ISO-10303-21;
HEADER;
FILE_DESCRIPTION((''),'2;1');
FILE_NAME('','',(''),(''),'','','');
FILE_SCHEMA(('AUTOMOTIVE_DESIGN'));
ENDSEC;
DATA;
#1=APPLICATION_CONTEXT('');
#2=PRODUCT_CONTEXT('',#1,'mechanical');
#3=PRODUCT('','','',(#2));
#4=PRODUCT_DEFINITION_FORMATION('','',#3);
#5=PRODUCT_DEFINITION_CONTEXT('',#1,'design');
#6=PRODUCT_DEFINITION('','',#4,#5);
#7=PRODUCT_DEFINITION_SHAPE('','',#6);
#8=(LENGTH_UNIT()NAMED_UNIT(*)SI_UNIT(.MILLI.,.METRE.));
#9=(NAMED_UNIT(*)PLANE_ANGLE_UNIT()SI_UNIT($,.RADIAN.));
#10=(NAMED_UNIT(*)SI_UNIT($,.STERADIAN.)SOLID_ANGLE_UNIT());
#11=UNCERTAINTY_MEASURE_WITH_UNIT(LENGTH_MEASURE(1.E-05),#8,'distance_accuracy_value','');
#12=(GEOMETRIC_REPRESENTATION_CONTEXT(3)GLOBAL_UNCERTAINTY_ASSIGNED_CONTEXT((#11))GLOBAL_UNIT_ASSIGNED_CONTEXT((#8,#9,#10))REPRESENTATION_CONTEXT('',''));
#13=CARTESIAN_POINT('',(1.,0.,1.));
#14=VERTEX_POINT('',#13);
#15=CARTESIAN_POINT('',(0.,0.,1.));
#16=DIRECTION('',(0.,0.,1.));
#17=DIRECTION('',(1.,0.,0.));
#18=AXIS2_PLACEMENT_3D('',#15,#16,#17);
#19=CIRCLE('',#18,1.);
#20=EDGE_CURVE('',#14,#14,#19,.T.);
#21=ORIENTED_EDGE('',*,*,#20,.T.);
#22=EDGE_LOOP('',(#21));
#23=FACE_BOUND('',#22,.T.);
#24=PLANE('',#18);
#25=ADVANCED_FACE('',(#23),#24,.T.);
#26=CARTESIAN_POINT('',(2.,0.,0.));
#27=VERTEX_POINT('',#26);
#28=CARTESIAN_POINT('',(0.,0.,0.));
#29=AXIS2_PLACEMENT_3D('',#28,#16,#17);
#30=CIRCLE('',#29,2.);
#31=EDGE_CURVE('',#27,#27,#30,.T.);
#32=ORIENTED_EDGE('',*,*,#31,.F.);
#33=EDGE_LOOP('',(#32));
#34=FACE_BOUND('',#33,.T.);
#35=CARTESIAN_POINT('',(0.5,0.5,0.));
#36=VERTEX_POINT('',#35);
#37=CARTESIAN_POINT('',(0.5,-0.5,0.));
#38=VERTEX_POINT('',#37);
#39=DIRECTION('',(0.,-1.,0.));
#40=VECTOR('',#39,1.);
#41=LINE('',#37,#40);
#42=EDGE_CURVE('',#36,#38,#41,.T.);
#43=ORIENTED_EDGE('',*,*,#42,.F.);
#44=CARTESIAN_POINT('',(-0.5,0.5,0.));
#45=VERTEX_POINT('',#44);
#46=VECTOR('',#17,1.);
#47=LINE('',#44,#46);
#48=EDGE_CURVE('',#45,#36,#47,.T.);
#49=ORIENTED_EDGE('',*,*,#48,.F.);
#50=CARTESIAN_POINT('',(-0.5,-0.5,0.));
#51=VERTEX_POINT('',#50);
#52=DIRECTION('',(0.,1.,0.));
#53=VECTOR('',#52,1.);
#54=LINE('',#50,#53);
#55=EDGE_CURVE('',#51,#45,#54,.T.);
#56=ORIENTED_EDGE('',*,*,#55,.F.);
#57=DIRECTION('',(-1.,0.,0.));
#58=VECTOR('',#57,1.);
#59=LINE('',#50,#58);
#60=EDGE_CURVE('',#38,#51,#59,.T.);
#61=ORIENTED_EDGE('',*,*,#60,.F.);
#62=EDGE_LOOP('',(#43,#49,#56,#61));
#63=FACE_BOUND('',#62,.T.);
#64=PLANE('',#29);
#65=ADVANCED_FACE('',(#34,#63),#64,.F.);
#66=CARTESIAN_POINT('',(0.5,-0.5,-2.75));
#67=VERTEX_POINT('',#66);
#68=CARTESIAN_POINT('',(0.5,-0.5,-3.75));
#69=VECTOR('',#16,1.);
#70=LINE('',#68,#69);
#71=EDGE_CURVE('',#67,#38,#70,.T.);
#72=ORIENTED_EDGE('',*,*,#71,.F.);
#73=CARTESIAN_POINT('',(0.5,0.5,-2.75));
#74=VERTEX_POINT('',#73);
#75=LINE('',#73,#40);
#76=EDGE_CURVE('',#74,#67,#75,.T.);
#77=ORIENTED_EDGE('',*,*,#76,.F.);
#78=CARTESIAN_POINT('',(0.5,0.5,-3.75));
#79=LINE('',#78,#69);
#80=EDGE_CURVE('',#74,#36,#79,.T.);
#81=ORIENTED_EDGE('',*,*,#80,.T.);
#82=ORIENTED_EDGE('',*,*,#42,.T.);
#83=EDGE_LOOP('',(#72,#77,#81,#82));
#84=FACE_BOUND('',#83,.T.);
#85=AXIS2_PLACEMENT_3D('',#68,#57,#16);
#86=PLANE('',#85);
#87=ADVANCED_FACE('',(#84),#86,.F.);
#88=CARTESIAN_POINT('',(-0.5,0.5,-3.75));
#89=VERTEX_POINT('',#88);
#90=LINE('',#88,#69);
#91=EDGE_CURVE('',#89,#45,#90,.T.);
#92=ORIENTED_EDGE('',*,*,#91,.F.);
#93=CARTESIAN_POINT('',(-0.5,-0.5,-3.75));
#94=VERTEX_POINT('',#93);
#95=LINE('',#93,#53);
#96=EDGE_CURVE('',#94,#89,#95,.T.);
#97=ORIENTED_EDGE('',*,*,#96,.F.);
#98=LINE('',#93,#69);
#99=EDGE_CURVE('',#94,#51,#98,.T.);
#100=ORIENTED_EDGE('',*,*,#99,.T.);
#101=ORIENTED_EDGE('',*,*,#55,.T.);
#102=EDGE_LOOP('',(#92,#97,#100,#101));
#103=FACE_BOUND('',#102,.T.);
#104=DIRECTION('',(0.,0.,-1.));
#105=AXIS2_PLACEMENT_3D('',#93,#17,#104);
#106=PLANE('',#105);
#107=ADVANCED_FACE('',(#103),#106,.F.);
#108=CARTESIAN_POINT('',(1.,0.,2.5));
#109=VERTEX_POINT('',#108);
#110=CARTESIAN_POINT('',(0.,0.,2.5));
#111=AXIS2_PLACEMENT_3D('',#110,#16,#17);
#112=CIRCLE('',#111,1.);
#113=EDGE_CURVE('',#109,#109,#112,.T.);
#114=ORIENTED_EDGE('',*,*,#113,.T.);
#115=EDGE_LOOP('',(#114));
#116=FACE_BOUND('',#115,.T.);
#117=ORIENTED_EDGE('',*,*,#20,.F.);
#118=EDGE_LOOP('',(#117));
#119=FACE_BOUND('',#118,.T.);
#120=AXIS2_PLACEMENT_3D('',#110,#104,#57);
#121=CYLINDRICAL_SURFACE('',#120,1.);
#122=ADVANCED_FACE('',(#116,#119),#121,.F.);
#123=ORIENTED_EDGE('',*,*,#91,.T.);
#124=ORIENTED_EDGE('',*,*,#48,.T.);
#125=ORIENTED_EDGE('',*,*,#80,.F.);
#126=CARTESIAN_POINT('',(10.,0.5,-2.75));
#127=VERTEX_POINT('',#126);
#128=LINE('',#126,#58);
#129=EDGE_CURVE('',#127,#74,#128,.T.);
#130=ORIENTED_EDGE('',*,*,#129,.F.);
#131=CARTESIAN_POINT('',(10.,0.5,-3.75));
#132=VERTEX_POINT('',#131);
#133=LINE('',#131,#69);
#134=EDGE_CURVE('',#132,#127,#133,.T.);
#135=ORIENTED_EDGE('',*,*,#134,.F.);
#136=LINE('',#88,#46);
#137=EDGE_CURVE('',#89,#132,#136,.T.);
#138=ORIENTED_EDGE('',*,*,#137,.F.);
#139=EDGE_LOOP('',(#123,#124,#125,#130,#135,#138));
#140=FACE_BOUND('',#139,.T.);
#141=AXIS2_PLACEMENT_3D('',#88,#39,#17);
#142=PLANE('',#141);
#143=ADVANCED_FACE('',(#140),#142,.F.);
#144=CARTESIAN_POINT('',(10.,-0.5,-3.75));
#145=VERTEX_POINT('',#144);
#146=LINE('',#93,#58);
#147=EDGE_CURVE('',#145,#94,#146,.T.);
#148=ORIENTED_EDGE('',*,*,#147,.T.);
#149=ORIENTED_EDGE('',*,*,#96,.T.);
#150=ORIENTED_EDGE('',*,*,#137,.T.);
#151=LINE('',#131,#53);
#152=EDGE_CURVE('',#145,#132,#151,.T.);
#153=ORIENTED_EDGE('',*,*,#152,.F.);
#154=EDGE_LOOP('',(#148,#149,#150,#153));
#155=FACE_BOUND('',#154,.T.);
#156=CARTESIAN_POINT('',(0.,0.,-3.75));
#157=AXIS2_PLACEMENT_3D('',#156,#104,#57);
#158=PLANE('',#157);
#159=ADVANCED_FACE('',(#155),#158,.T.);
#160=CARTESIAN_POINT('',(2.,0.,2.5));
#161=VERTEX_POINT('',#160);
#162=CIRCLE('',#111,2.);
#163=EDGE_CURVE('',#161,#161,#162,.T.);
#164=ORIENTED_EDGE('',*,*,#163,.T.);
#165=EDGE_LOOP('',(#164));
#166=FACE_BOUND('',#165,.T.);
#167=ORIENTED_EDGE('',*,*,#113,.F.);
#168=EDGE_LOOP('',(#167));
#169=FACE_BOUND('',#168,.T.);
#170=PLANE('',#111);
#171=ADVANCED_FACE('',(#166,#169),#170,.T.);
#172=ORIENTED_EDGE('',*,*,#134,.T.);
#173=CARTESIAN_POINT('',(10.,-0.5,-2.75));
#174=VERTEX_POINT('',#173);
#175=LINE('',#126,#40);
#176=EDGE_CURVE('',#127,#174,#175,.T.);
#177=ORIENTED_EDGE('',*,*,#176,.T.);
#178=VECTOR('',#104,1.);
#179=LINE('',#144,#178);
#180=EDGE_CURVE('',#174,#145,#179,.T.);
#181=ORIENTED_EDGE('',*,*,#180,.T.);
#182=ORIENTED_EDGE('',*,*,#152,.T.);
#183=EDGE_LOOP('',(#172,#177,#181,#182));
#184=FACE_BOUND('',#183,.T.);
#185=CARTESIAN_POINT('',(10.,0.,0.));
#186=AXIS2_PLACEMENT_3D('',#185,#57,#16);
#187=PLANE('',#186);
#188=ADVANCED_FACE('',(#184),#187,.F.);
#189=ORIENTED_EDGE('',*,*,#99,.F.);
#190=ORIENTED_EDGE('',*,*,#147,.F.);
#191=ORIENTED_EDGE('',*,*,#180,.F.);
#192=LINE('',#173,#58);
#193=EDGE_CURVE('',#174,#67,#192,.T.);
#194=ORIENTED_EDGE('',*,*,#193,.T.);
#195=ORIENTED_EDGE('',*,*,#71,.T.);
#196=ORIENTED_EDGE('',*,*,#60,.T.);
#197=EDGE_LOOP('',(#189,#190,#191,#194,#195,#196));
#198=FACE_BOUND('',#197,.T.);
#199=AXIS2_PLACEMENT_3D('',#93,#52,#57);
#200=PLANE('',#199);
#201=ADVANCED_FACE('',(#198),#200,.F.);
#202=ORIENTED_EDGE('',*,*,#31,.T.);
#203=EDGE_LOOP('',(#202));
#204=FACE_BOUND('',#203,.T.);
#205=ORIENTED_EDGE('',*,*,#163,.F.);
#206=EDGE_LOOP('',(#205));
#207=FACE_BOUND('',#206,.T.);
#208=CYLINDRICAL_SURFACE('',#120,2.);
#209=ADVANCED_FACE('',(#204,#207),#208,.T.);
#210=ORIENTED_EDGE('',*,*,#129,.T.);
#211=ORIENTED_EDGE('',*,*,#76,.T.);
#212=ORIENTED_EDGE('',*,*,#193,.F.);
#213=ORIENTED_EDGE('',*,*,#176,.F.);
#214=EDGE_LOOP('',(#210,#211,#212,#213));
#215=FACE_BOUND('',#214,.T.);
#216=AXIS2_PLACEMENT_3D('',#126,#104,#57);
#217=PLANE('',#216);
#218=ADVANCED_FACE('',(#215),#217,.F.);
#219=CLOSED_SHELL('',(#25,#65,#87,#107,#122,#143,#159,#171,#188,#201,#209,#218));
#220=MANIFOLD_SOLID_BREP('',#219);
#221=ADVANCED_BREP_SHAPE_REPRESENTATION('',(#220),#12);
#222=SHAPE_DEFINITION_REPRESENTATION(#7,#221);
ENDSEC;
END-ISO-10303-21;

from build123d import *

# Parameters (mm, degrees)
SKETCH1_R           = 2
BOSS_EXTRUDE1_DEPTH = 2.5
SHELL1_T            = -1
SKETCH2_W           = 1
SKETCH2_H           = 1
BOSS_EXTRUDE2_DEPTH = 3.75
SKETCH3_W           = 1
SKETCH3_H           = 1
BOSS_EXTRUDE3_DEPTH = 9.5


with BuildPart() as part:
    # Sketch1 → Boss-Extrude1 (new body)
    with BuildSketch(Plane.XY):
        Circle(SKETCH1_R)
    extrude(amount=BOSS_EXTRUDE1_DEPTH)

    # Shell1
    shell1_openings = [part.faces().sort_by_distance(p)[0] for p in [
        (0, 0, 2.5),
    ]]
    offset(amount=SHELL1_T, openings=shell1_openings, kind=Kind.INTERSECTION)

    # Sketch2 → Boss-Extrude2 (add)
    with BuildSketch(Plane(origin=(0, 0, 0), x_dir=(-1, 0, 0), z_dir=(0, 0, -1))):
        Rectangle(SKETCH2_W, SKETCH2_H)
    extrude(amount=BOSS_EXTRUDE2_DEPTH)

    # Sketch3 → Boss-Extrude3 (add)
    with BuildSketch(Plane(origin=(0.5, 0, 0), x_dir=(0, 0, -1), z_dir=(1, 0, 0))):
        with Locations((3.25, 0)):
            Rectangle(SKETCH3_W, SKETCH3_H)
    extrude(amount=BOSS_EXTRUDE3_DEPTH)


solid = part.part
